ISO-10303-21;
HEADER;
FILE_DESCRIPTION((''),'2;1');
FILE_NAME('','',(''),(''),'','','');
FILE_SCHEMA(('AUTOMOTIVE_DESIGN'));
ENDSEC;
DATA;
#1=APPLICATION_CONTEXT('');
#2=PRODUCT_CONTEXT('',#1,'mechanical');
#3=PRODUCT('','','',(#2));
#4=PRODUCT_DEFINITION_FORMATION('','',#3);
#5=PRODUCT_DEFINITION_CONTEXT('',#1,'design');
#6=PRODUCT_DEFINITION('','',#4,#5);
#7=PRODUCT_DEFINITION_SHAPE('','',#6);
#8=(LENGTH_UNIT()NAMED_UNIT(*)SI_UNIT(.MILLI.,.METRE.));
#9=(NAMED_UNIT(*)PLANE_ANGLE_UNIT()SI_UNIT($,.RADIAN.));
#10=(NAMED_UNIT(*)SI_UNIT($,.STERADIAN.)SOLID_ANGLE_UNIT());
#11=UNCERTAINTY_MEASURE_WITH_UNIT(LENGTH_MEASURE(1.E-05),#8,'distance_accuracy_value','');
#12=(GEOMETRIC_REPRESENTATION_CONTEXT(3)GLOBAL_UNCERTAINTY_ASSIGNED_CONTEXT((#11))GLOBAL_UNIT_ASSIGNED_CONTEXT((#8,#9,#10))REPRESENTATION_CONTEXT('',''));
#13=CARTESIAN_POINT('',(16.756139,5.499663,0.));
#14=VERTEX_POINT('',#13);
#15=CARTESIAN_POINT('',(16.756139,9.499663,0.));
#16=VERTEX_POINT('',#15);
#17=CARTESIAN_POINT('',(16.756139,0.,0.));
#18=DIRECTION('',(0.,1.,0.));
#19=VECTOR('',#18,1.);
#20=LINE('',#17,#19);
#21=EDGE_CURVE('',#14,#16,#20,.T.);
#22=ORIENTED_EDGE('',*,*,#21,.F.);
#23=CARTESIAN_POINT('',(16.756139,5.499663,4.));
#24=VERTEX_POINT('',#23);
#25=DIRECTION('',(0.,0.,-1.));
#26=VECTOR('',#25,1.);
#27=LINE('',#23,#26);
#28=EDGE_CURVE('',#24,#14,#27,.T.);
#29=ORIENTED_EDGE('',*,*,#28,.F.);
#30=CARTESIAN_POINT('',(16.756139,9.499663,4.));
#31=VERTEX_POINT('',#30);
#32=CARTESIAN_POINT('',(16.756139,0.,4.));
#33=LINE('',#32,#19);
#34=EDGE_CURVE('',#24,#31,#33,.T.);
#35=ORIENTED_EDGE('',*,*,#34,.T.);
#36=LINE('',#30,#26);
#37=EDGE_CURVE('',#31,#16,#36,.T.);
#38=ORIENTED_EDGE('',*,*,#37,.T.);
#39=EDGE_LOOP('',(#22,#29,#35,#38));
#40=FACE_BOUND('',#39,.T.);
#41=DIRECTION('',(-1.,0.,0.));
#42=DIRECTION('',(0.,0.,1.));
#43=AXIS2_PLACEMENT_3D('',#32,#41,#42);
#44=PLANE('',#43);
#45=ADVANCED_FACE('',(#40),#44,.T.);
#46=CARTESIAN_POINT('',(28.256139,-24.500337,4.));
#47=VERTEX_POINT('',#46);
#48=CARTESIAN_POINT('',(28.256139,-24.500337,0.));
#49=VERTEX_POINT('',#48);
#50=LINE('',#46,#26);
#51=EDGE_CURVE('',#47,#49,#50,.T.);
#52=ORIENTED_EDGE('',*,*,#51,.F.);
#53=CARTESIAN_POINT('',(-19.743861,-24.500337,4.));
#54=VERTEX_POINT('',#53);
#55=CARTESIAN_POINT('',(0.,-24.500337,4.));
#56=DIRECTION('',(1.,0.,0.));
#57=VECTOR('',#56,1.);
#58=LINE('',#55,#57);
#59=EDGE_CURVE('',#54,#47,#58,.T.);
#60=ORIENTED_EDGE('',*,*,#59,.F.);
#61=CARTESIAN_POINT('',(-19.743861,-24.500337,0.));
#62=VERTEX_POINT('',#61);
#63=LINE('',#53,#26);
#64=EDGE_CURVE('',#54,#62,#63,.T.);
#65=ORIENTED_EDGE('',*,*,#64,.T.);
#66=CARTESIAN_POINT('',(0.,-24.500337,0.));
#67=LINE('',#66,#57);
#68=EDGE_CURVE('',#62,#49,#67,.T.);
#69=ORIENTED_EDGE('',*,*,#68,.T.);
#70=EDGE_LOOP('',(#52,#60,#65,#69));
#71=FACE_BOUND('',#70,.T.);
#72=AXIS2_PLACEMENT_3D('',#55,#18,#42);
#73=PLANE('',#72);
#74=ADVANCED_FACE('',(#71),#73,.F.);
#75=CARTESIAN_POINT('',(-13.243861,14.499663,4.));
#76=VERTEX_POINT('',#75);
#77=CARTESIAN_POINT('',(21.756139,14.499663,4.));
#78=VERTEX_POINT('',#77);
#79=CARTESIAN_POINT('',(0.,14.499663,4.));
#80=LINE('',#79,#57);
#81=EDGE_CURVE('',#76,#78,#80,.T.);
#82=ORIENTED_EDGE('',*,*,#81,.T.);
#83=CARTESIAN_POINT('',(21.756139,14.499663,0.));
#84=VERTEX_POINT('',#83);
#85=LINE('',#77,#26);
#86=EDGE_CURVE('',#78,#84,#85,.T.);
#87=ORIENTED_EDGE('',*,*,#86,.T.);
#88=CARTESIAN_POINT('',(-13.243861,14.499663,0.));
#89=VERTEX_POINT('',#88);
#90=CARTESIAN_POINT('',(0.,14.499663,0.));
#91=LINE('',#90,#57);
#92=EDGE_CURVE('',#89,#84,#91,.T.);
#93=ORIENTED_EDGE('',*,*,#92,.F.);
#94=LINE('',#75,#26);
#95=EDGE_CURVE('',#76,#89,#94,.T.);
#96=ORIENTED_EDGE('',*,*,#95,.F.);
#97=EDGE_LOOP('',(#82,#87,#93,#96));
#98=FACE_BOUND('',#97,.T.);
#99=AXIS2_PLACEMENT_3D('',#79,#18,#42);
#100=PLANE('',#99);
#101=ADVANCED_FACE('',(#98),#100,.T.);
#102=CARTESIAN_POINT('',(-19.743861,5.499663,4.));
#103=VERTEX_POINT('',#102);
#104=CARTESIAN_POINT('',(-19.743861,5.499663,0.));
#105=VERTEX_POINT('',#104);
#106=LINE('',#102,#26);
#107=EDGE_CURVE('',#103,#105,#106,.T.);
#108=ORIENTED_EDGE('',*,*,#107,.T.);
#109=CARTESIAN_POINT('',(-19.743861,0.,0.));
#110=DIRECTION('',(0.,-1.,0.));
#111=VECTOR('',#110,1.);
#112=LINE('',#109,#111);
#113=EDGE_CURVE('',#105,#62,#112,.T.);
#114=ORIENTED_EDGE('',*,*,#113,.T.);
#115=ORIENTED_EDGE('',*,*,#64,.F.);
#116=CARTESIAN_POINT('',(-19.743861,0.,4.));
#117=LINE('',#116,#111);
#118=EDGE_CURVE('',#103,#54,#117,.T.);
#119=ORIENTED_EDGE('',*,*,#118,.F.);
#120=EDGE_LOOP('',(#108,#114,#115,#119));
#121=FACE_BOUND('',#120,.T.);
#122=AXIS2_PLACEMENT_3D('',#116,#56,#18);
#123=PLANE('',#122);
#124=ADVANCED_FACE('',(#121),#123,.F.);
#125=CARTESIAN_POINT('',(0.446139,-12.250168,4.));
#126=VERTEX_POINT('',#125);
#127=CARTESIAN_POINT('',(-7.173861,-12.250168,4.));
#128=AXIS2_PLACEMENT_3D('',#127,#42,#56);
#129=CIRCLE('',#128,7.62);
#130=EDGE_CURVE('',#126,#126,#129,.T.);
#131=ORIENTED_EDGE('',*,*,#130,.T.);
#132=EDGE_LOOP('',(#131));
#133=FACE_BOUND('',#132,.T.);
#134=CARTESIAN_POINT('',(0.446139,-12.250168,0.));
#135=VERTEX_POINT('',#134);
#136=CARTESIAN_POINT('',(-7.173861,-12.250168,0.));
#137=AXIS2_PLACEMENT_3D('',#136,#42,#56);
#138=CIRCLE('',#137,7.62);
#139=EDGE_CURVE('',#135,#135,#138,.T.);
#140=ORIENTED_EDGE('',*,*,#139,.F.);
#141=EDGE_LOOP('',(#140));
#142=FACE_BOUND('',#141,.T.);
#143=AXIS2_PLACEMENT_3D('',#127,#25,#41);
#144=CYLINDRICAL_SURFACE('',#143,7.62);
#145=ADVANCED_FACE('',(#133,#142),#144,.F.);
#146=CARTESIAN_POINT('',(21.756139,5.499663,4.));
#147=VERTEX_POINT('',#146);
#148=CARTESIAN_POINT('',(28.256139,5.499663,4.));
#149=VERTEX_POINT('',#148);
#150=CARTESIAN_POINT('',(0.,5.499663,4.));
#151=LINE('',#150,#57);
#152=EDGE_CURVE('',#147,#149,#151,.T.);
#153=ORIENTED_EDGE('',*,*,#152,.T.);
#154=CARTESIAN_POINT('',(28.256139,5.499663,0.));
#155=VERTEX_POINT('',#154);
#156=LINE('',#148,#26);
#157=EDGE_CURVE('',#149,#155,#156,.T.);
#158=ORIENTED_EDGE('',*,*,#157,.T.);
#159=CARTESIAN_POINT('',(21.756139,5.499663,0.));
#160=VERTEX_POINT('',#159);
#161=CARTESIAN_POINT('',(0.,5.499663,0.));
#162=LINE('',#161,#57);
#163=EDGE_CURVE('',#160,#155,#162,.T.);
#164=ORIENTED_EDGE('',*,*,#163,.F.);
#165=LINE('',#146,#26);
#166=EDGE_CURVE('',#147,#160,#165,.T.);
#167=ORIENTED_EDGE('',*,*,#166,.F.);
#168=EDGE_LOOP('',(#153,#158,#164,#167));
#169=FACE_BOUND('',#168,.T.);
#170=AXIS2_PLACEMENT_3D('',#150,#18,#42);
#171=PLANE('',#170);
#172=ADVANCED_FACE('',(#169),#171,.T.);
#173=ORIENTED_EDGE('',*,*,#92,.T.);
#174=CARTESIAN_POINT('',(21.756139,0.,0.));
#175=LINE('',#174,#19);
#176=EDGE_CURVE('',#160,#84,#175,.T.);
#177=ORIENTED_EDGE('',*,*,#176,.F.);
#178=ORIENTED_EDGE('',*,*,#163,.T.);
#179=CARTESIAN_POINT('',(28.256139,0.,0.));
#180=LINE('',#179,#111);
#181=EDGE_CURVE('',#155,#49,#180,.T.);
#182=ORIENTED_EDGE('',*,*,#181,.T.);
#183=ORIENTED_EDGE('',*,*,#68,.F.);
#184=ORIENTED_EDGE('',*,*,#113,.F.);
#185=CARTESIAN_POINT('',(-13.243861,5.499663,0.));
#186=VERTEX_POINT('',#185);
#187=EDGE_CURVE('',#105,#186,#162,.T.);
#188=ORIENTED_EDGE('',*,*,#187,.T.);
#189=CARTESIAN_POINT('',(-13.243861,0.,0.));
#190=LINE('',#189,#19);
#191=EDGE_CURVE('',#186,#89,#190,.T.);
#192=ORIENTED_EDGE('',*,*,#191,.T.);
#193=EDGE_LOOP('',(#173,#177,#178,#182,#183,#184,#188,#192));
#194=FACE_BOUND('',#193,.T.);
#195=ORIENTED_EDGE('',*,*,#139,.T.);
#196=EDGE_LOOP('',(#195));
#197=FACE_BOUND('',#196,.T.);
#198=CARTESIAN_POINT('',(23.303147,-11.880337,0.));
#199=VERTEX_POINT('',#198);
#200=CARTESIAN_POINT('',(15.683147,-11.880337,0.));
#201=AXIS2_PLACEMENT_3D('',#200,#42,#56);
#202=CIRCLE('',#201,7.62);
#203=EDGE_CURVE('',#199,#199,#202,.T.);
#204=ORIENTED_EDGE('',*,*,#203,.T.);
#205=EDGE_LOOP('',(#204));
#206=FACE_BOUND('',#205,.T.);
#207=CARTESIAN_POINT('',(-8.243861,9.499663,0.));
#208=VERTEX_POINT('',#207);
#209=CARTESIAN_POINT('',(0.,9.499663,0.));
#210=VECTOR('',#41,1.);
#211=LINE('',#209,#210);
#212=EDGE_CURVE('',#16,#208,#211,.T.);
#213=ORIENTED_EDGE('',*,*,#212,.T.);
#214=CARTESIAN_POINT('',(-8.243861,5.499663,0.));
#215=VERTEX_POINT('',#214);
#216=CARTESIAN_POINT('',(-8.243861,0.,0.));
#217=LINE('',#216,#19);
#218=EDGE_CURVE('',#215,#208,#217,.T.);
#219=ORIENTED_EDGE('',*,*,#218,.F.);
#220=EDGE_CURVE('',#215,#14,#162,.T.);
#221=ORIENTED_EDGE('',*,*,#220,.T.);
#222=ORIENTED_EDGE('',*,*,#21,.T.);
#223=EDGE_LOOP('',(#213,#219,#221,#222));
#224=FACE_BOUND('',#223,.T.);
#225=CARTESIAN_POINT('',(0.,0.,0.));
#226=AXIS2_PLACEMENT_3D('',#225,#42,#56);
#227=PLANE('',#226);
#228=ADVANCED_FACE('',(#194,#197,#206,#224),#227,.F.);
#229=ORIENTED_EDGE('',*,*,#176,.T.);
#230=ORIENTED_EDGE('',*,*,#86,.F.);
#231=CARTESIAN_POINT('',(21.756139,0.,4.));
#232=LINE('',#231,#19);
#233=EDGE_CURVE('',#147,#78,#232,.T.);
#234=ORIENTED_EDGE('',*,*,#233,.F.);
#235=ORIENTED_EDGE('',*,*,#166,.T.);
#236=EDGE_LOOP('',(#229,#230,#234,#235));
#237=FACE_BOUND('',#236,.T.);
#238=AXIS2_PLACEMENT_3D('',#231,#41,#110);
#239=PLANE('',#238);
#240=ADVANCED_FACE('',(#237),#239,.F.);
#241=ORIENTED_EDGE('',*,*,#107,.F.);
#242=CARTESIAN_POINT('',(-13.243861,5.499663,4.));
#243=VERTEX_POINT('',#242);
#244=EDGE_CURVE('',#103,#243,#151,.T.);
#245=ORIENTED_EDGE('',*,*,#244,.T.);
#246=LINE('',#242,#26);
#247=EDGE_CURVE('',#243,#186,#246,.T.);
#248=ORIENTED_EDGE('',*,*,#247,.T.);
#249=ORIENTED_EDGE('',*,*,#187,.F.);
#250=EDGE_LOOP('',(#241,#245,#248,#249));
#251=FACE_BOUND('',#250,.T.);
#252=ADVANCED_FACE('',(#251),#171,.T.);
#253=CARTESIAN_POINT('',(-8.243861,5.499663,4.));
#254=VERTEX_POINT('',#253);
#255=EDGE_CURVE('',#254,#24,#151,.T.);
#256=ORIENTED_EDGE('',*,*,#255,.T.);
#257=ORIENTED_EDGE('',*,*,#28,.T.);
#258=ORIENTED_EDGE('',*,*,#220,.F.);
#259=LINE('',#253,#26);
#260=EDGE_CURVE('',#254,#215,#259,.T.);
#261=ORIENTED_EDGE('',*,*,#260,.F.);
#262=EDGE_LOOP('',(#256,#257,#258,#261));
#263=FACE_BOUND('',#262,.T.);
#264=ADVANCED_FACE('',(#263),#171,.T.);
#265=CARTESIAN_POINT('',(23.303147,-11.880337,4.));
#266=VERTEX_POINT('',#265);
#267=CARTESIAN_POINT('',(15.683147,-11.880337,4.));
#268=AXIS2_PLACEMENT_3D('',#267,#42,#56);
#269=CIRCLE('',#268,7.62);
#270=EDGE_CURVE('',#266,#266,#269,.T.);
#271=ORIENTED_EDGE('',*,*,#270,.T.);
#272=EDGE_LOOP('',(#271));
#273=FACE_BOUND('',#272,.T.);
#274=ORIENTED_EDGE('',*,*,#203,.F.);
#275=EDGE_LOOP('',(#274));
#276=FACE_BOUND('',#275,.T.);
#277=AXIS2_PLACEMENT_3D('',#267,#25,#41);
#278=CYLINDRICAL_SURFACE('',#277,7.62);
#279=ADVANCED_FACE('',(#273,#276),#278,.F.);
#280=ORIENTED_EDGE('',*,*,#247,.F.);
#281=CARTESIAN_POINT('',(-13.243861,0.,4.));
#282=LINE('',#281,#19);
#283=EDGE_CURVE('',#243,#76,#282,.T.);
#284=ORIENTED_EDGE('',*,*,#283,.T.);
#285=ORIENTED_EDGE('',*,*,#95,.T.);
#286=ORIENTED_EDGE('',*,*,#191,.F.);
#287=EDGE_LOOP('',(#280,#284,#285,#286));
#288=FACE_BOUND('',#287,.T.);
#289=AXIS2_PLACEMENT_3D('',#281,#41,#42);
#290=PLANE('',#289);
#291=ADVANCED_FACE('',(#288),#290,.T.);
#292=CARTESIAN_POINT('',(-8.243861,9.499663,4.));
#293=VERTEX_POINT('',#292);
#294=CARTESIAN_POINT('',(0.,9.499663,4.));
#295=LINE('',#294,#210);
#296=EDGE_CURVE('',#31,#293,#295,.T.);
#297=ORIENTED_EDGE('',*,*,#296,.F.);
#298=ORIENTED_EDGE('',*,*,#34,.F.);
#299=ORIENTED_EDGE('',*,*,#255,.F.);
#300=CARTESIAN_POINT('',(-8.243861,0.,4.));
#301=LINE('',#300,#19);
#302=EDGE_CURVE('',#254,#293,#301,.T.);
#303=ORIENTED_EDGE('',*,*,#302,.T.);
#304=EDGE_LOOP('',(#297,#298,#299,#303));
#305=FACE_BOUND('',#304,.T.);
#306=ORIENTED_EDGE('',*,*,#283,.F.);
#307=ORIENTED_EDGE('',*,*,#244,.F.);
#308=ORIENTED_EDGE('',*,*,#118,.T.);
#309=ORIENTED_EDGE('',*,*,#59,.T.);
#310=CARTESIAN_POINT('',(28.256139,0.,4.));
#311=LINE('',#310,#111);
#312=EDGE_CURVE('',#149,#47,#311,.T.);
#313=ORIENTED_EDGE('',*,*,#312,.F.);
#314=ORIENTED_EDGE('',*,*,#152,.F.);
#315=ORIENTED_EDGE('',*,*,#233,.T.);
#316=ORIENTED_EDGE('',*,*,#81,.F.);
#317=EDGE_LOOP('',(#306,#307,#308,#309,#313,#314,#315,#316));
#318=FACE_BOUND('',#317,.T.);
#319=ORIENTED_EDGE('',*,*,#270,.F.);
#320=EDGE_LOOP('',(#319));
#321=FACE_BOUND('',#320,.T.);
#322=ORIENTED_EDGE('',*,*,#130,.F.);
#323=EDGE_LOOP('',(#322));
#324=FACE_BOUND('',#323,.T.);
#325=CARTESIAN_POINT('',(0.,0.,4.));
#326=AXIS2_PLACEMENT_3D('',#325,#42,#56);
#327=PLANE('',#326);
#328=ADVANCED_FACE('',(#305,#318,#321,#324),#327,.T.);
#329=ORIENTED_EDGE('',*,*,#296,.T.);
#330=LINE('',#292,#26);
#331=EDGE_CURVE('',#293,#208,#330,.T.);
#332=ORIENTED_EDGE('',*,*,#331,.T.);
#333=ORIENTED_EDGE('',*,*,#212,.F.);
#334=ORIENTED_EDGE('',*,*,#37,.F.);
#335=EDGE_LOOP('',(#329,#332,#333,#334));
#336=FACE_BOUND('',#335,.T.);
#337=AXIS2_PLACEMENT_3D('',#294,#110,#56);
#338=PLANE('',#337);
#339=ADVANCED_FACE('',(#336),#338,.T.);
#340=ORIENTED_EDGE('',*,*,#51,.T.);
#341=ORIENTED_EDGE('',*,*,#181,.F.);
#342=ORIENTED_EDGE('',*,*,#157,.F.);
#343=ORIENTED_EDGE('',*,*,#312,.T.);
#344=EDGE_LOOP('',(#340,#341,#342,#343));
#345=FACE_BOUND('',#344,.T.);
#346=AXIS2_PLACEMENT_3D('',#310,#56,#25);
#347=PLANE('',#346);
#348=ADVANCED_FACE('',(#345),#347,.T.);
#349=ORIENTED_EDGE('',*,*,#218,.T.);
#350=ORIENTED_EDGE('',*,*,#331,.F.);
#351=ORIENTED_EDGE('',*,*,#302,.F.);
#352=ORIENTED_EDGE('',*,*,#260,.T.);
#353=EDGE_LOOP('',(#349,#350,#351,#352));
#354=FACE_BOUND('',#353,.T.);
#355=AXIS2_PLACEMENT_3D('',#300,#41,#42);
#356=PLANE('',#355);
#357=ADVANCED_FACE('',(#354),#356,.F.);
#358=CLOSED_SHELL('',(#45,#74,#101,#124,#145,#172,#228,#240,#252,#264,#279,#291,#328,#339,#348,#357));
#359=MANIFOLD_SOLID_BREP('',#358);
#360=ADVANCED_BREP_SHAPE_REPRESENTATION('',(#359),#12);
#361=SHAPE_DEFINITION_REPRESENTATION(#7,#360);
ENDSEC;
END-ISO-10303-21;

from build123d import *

# Parameters (mm, degrees)
SKICA1_R                = 7.62
P_IDAT_VYSUNUT_M1_DEPTH = 4


with BuildPart() as part:
    # Skica1 → Přidat vysunutím1 (new body)
    with BuildSketch(Plane.XY):
        Polygon((-13.243861265, 5.499663067), (-19.743861265, 5.499663067), (-19.743861265, -24.500336933), (28.256138735, -24.500336933), (28.256138735, 5.499663067), (21.756138735, 5.499663067), (16.756138735, 5.499663067), (-8.243861265, 5.499663067), align=None)
        with Locations((-7.173861265, -12.250168466)):
            Circle(SKICA1_R, mode=Mode.SUBTRACT)
        with Locations((15.683146952, -11.880336933)):
            Circle(SKICA1_R, mode=Mode.SUBTRACT)
        Polygon((-13.243861265, 14.499663067), (-13.243861265, 5.499663067), (-8.243861265, 5.499663067), (-8.243861265, 9.499663067), (16.756138735, 9.499663067), (16.756138735, 5.499663067), (21.756138735, 5.499663067), (21.756138735, 14.499663067), align=None)
    extrude(amount=P_IDAT_VYSUNUT_M1_DEPTH)


solid = part.part
